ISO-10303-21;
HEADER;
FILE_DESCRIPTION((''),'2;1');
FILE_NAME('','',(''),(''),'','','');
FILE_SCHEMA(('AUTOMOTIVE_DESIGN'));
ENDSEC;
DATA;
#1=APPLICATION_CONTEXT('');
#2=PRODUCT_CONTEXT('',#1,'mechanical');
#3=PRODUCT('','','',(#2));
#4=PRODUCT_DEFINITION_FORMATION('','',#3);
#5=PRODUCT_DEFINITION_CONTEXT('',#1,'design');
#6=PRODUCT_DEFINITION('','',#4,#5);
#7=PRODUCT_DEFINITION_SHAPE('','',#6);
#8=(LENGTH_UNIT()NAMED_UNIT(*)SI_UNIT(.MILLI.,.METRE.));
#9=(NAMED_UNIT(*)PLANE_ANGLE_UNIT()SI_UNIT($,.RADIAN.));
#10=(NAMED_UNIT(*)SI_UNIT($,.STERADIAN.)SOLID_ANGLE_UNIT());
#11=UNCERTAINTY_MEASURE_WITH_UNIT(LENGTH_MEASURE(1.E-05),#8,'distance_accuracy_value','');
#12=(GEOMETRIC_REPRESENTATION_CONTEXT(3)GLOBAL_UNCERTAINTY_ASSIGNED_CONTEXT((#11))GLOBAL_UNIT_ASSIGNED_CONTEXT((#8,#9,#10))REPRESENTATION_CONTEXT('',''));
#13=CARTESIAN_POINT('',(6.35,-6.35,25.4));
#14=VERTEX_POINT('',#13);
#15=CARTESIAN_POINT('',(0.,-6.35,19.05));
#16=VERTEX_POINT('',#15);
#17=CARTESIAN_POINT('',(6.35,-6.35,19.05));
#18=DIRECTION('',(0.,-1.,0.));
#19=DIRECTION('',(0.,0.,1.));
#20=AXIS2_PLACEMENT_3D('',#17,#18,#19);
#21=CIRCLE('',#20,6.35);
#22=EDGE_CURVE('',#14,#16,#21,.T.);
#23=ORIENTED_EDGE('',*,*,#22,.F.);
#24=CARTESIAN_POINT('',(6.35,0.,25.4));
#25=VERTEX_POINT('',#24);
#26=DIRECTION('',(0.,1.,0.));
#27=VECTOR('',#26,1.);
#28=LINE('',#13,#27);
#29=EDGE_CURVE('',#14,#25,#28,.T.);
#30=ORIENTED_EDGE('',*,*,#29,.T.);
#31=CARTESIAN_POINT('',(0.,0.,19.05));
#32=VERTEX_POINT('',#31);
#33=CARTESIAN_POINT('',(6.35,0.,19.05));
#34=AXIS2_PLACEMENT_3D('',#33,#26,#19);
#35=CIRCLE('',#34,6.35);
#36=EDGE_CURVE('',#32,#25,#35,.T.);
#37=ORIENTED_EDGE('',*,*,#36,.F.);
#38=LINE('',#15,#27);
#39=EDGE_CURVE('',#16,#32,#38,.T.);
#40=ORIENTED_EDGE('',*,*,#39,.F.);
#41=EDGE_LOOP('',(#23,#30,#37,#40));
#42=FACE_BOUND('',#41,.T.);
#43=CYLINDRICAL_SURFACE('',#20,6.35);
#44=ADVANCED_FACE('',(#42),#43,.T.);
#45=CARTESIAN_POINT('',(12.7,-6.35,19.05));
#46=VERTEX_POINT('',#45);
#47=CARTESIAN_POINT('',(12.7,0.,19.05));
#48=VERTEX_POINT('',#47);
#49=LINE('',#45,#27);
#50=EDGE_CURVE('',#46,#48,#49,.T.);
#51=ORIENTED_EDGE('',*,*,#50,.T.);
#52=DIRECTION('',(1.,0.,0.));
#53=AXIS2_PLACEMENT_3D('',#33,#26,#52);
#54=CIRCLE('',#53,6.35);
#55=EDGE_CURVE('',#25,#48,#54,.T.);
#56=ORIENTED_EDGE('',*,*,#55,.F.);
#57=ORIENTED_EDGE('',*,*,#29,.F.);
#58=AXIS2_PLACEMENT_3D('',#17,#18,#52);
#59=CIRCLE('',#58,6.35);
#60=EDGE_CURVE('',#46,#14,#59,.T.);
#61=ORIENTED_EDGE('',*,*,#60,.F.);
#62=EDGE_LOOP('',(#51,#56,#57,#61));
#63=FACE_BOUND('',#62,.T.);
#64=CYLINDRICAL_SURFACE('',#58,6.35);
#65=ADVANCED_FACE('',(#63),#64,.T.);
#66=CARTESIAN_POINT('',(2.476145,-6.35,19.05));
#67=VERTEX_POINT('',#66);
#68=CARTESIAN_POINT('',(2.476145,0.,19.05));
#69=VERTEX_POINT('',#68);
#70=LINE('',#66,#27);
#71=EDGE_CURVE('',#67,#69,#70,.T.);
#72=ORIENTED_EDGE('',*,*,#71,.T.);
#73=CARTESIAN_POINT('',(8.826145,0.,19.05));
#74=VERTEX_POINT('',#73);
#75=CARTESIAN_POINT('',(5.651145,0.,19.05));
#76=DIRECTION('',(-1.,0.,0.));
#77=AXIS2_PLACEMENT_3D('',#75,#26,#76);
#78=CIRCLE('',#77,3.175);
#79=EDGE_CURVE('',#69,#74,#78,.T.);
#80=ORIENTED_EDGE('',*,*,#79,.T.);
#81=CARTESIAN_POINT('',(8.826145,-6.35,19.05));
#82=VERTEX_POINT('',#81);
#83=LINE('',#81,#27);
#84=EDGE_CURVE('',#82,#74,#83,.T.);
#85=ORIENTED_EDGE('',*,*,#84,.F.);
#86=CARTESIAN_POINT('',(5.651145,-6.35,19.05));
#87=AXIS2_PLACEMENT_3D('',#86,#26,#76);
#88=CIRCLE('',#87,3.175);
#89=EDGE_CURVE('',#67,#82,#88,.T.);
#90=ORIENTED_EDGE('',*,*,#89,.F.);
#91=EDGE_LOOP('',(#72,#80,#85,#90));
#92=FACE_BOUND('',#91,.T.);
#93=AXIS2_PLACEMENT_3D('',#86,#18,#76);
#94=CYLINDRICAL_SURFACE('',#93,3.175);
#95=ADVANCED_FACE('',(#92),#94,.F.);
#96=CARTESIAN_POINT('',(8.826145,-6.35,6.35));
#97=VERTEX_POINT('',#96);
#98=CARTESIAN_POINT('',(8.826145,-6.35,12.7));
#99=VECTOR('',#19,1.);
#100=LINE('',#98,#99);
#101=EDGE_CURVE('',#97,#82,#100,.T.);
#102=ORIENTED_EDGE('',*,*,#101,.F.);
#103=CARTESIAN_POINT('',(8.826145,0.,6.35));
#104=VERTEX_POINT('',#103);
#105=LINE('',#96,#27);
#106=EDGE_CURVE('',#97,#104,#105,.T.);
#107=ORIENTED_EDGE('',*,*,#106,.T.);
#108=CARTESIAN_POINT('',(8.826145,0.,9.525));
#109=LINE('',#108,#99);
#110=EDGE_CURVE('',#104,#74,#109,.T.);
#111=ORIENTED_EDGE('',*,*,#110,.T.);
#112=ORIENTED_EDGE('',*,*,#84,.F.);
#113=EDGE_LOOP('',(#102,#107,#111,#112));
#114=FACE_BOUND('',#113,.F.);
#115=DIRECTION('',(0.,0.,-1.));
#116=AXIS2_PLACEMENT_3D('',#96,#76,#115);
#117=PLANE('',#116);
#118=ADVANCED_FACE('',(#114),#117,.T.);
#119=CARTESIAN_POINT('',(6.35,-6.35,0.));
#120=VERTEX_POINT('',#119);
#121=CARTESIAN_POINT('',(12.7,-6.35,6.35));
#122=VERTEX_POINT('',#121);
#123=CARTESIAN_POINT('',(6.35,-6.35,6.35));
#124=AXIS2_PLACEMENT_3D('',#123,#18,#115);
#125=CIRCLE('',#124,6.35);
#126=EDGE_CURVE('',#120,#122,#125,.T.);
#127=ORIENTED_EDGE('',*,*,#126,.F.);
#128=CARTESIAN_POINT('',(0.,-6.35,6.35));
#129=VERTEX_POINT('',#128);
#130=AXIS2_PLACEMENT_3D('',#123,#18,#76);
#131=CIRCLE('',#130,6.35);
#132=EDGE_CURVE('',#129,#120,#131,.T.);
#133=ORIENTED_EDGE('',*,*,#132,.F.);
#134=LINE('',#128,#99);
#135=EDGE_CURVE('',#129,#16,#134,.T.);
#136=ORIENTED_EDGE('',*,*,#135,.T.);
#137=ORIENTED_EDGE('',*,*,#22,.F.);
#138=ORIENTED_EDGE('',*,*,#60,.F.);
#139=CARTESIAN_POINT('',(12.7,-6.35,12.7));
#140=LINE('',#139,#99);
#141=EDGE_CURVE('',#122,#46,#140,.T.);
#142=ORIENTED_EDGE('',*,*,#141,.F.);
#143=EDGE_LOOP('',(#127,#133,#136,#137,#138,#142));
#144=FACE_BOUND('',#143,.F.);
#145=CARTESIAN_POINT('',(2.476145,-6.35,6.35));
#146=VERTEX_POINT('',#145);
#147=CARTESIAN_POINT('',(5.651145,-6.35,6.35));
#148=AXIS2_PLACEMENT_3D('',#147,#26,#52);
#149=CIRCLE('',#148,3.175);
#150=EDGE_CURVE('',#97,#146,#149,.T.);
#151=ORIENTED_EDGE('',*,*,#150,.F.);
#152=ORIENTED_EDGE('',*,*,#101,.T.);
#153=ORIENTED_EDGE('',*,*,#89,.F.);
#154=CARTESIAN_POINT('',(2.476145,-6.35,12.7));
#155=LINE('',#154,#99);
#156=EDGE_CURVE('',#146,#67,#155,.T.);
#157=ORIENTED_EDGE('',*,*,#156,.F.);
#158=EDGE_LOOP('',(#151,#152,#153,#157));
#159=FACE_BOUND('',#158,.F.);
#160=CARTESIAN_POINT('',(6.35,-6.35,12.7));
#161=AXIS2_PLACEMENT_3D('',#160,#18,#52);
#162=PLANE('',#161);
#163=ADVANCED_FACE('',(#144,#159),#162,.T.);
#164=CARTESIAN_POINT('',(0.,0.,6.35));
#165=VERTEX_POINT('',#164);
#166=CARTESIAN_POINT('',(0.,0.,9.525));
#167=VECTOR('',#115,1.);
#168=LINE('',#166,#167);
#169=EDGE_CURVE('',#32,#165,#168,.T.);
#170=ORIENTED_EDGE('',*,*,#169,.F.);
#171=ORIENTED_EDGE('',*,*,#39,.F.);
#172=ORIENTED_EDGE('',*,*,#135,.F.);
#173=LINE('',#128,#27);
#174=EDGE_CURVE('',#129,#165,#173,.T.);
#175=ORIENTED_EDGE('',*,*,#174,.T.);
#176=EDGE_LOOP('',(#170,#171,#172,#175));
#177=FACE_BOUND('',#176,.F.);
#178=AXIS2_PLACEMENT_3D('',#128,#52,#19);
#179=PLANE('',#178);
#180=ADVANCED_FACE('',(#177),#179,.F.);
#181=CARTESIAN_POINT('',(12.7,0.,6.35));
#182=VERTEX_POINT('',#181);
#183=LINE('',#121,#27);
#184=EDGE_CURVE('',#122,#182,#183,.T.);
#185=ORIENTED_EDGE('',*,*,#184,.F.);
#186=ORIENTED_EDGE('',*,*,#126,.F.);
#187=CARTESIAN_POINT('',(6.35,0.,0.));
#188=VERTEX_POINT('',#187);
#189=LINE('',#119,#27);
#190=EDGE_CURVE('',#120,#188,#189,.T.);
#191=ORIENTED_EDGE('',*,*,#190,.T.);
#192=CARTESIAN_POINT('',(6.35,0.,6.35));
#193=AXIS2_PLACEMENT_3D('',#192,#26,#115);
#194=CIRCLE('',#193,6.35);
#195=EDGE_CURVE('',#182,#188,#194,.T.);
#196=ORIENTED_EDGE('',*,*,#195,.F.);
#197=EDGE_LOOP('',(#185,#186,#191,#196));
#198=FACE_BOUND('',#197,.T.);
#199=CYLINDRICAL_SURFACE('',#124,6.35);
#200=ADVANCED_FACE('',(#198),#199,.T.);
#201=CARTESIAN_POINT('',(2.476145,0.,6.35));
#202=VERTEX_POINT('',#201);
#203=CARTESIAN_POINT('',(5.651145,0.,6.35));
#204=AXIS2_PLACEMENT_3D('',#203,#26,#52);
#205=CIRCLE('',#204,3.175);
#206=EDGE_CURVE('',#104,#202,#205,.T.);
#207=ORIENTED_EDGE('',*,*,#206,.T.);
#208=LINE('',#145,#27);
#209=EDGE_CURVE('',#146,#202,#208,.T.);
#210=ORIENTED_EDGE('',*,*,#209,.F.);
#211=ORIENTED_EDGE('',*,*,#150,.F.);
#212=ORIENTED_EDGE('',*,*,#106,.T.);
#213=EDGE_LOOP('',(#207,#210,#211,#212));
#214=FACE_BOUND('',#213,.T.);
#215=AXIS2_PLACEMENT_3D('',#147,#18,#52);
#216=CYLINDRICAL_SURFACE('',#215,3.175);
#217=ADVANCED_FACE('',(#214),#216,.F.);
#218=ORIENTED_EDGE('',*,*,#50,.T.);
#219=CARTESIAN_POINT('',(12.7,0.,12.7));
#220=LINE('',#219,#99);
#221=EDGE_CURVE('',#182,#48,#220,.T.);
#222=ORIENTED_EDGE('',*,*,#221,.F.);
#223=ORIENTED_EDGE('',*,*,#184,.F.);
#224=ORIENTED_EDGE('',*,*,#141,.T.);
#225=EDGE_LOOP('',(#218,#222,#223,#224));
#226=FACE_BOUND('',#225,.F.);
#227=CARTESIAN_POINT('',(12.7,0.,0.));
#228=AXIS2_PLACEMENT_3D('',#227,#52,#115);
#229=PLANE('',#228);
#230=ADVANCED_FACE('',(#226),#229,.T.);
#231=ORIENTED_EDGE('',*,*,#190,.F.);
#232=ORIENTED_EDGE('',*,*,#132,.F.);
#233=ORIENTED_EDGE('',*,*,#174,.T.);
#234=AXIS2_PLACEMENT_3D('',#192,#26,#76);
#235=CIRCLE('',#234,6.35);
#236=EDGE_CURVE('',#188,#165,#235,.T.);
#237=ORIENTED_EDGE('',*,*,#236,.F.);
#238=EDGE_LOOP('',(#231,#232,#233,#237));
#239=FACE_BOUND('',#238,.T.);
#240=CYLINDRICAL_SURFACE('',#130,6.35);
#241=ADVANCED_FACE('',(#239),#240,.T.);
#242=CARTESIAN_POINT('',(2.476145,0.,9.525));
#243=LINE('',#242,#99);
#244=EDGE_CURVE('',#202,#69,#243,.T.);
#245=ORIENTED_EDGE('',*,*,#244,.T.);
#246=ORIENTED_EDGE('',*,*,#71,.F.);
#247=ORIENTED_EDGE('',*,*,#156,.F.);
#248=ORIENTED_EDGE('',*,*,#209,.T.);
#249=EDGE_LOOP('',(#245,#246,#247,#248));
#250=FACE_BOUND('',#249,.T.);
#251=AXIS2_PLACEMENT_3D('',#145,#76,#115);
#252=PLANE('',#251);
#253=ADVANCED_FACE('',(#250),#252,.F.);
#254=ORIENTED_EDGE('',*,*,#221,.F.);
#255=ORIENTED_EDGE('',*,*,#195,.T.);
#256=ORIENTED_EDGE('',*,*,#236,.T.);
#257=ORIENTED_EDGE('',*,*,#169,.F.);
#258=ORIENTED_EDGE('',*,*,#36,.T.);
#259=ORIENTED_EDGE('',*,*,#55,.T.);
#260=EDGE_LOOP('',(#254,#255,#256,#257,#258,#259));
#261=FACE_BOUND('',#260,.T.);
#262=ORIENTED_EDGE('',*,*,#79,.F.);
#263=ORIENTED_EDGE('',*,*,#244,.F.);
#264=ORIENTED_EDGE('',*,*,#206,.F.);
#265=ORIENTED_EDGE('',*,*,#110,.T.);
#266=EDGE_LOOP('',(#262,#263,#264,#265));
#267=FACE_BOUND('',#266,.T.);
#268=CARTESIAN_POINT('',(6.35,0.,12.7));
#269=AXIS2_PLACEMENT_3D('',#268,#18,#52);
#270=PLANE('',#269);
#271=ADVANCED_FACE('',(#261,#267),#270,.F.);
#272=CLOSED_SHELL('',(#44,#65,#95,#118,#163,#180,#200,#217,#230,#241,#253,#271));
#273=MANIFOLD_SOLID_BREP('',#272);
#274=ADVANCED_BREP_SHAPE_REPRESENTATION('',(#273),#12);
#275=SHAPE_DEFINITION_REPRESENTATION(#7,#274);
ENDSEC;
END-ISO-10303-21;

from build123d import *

# Parameters (mm, degrees)
F0_W     = 12.7
F0_H     = 25.4
F1_DEPTH = 6.35
F3_DEPTH = 254
F4_W     = 6.35
F4_H     = 12.7
F5_DEPTH = 254
F8_DEPTH = 25374.6


with BuildPart() as f1:
    # F0 (on Front) → F1 (new body)
    with BuildSketch(Plane.XZ):
        with Locations((-6.35, 12.7)):
            Rectangle(F0_W, F0_H)
    extrude(amount=F1_DEPTH)

    # F2 (on face) → F3 (cut)
    with BuildSketch(Plane.XZ.offset(6.35)):
        with BuildLine():
            Line((-12.7, 25.4), (-12.7, 19.05))
            ThreePointArc((-12.7, 19.05), (-10.8401280605, 23.5401280605), (-6.35, 25.4))
            Line((-6.35, 25.4), (-12.7, 25.4))
        make_face()
        with BuildLine():
            Line((0, 25.4), (-6.35, 25.4))
            ThreePointArc((-6.35, 25.4), (-1.8598719395, 23.5401280605), (0, 19.05))
            Line((0, 19.05), (0, 25.4))
        make_face()
        with BuildLine():
            ThreePointArc((0, 6.35), (-1.8598719395, 1.8598719395), (-6.35, 0))
            Line((-6.35, 0), (0, 0))
            Line((0, 0), (0, 6.35))
        make_face()
        with BuildLine():
            ThreePointArc((-6.35, 0), (-10.8401280605, 1.8598719395), (-12.7, 6.35))
            Line((-12.7, 6.35), (-12.7, 0))
            Line((-12.7, 0), (-6.35, 0))
        make_face()
    extrude(amount=-F3_DEPTH, mode=Mode.SUBTRACT)

    # F4 (on face) → F5 (cut)
    with BuildSketch(Plane.XZ.offset(6.35)):
        with BuildLine():
            Line((-8.8261451244, 19.05), (-2.4761451244, 19.05))
            ThreePointArc((-2.4761451244, 19.05), (-5.6511451244, 22.225), (-8.8261451244, 19.05))
        make_face()
        with Locations((-5.6511451244, 12.7)):
            Rectangle(F4_W, F4_H)
        with BuildLine():
            ThreePointArc((-8.8261451244, 6.35), (-5.6511451244, 3.175), (-2.4761451244, 6.35))
            Line((-2.4761451244, 6.35), (-8.8261451244, 6.35))
        make_face()
    extrude(amount=-F5_DEPTH, mode=Mode.SUBTRACT)

    # F6: F1 across plane


with BuildPart() as f1_1:
    add(f1.part)
    add(f1.part.mirror(Plane.YZ))

    # F7 (on face) → F8 (cut)
    with BuildSketch(Plane.XZ.offset(6.35)):
        with BuildLine():
            Line((0, 6.35), (0, 19.05))
            ThreePointArc((0, 19.05), (-6.35, 25.4), (-12.7, 19.05))
            Line((-12.7, 19.05), (-12.7, 6.35))
            ThreePointArc((-12.7, 6.35), (-6.35, 0), (0, 6.35))
        make_face()
        with BuildLine():
            Line((-8.8261451244, 6.35), (-8.8261451244, 19.05))
            ThreePointArc((-8.8261451244, 19.05), (-5.6511451244, 22.225), (-2.4761451244, 19.05))
            Line((-2.4761451244, 19.05), (-2.4761451244, 6.35))
            ThreePointArc((-2.4761451244, 6.35), (-5.6511451244, 3.175), (-8.8261451244, 6.35))
        make_face(mode=Mode.SUBTRACT)
    extrude(amount=-F8_DEPTH, mode=Mode.SUBTRACT)


solid = f1_1.part
